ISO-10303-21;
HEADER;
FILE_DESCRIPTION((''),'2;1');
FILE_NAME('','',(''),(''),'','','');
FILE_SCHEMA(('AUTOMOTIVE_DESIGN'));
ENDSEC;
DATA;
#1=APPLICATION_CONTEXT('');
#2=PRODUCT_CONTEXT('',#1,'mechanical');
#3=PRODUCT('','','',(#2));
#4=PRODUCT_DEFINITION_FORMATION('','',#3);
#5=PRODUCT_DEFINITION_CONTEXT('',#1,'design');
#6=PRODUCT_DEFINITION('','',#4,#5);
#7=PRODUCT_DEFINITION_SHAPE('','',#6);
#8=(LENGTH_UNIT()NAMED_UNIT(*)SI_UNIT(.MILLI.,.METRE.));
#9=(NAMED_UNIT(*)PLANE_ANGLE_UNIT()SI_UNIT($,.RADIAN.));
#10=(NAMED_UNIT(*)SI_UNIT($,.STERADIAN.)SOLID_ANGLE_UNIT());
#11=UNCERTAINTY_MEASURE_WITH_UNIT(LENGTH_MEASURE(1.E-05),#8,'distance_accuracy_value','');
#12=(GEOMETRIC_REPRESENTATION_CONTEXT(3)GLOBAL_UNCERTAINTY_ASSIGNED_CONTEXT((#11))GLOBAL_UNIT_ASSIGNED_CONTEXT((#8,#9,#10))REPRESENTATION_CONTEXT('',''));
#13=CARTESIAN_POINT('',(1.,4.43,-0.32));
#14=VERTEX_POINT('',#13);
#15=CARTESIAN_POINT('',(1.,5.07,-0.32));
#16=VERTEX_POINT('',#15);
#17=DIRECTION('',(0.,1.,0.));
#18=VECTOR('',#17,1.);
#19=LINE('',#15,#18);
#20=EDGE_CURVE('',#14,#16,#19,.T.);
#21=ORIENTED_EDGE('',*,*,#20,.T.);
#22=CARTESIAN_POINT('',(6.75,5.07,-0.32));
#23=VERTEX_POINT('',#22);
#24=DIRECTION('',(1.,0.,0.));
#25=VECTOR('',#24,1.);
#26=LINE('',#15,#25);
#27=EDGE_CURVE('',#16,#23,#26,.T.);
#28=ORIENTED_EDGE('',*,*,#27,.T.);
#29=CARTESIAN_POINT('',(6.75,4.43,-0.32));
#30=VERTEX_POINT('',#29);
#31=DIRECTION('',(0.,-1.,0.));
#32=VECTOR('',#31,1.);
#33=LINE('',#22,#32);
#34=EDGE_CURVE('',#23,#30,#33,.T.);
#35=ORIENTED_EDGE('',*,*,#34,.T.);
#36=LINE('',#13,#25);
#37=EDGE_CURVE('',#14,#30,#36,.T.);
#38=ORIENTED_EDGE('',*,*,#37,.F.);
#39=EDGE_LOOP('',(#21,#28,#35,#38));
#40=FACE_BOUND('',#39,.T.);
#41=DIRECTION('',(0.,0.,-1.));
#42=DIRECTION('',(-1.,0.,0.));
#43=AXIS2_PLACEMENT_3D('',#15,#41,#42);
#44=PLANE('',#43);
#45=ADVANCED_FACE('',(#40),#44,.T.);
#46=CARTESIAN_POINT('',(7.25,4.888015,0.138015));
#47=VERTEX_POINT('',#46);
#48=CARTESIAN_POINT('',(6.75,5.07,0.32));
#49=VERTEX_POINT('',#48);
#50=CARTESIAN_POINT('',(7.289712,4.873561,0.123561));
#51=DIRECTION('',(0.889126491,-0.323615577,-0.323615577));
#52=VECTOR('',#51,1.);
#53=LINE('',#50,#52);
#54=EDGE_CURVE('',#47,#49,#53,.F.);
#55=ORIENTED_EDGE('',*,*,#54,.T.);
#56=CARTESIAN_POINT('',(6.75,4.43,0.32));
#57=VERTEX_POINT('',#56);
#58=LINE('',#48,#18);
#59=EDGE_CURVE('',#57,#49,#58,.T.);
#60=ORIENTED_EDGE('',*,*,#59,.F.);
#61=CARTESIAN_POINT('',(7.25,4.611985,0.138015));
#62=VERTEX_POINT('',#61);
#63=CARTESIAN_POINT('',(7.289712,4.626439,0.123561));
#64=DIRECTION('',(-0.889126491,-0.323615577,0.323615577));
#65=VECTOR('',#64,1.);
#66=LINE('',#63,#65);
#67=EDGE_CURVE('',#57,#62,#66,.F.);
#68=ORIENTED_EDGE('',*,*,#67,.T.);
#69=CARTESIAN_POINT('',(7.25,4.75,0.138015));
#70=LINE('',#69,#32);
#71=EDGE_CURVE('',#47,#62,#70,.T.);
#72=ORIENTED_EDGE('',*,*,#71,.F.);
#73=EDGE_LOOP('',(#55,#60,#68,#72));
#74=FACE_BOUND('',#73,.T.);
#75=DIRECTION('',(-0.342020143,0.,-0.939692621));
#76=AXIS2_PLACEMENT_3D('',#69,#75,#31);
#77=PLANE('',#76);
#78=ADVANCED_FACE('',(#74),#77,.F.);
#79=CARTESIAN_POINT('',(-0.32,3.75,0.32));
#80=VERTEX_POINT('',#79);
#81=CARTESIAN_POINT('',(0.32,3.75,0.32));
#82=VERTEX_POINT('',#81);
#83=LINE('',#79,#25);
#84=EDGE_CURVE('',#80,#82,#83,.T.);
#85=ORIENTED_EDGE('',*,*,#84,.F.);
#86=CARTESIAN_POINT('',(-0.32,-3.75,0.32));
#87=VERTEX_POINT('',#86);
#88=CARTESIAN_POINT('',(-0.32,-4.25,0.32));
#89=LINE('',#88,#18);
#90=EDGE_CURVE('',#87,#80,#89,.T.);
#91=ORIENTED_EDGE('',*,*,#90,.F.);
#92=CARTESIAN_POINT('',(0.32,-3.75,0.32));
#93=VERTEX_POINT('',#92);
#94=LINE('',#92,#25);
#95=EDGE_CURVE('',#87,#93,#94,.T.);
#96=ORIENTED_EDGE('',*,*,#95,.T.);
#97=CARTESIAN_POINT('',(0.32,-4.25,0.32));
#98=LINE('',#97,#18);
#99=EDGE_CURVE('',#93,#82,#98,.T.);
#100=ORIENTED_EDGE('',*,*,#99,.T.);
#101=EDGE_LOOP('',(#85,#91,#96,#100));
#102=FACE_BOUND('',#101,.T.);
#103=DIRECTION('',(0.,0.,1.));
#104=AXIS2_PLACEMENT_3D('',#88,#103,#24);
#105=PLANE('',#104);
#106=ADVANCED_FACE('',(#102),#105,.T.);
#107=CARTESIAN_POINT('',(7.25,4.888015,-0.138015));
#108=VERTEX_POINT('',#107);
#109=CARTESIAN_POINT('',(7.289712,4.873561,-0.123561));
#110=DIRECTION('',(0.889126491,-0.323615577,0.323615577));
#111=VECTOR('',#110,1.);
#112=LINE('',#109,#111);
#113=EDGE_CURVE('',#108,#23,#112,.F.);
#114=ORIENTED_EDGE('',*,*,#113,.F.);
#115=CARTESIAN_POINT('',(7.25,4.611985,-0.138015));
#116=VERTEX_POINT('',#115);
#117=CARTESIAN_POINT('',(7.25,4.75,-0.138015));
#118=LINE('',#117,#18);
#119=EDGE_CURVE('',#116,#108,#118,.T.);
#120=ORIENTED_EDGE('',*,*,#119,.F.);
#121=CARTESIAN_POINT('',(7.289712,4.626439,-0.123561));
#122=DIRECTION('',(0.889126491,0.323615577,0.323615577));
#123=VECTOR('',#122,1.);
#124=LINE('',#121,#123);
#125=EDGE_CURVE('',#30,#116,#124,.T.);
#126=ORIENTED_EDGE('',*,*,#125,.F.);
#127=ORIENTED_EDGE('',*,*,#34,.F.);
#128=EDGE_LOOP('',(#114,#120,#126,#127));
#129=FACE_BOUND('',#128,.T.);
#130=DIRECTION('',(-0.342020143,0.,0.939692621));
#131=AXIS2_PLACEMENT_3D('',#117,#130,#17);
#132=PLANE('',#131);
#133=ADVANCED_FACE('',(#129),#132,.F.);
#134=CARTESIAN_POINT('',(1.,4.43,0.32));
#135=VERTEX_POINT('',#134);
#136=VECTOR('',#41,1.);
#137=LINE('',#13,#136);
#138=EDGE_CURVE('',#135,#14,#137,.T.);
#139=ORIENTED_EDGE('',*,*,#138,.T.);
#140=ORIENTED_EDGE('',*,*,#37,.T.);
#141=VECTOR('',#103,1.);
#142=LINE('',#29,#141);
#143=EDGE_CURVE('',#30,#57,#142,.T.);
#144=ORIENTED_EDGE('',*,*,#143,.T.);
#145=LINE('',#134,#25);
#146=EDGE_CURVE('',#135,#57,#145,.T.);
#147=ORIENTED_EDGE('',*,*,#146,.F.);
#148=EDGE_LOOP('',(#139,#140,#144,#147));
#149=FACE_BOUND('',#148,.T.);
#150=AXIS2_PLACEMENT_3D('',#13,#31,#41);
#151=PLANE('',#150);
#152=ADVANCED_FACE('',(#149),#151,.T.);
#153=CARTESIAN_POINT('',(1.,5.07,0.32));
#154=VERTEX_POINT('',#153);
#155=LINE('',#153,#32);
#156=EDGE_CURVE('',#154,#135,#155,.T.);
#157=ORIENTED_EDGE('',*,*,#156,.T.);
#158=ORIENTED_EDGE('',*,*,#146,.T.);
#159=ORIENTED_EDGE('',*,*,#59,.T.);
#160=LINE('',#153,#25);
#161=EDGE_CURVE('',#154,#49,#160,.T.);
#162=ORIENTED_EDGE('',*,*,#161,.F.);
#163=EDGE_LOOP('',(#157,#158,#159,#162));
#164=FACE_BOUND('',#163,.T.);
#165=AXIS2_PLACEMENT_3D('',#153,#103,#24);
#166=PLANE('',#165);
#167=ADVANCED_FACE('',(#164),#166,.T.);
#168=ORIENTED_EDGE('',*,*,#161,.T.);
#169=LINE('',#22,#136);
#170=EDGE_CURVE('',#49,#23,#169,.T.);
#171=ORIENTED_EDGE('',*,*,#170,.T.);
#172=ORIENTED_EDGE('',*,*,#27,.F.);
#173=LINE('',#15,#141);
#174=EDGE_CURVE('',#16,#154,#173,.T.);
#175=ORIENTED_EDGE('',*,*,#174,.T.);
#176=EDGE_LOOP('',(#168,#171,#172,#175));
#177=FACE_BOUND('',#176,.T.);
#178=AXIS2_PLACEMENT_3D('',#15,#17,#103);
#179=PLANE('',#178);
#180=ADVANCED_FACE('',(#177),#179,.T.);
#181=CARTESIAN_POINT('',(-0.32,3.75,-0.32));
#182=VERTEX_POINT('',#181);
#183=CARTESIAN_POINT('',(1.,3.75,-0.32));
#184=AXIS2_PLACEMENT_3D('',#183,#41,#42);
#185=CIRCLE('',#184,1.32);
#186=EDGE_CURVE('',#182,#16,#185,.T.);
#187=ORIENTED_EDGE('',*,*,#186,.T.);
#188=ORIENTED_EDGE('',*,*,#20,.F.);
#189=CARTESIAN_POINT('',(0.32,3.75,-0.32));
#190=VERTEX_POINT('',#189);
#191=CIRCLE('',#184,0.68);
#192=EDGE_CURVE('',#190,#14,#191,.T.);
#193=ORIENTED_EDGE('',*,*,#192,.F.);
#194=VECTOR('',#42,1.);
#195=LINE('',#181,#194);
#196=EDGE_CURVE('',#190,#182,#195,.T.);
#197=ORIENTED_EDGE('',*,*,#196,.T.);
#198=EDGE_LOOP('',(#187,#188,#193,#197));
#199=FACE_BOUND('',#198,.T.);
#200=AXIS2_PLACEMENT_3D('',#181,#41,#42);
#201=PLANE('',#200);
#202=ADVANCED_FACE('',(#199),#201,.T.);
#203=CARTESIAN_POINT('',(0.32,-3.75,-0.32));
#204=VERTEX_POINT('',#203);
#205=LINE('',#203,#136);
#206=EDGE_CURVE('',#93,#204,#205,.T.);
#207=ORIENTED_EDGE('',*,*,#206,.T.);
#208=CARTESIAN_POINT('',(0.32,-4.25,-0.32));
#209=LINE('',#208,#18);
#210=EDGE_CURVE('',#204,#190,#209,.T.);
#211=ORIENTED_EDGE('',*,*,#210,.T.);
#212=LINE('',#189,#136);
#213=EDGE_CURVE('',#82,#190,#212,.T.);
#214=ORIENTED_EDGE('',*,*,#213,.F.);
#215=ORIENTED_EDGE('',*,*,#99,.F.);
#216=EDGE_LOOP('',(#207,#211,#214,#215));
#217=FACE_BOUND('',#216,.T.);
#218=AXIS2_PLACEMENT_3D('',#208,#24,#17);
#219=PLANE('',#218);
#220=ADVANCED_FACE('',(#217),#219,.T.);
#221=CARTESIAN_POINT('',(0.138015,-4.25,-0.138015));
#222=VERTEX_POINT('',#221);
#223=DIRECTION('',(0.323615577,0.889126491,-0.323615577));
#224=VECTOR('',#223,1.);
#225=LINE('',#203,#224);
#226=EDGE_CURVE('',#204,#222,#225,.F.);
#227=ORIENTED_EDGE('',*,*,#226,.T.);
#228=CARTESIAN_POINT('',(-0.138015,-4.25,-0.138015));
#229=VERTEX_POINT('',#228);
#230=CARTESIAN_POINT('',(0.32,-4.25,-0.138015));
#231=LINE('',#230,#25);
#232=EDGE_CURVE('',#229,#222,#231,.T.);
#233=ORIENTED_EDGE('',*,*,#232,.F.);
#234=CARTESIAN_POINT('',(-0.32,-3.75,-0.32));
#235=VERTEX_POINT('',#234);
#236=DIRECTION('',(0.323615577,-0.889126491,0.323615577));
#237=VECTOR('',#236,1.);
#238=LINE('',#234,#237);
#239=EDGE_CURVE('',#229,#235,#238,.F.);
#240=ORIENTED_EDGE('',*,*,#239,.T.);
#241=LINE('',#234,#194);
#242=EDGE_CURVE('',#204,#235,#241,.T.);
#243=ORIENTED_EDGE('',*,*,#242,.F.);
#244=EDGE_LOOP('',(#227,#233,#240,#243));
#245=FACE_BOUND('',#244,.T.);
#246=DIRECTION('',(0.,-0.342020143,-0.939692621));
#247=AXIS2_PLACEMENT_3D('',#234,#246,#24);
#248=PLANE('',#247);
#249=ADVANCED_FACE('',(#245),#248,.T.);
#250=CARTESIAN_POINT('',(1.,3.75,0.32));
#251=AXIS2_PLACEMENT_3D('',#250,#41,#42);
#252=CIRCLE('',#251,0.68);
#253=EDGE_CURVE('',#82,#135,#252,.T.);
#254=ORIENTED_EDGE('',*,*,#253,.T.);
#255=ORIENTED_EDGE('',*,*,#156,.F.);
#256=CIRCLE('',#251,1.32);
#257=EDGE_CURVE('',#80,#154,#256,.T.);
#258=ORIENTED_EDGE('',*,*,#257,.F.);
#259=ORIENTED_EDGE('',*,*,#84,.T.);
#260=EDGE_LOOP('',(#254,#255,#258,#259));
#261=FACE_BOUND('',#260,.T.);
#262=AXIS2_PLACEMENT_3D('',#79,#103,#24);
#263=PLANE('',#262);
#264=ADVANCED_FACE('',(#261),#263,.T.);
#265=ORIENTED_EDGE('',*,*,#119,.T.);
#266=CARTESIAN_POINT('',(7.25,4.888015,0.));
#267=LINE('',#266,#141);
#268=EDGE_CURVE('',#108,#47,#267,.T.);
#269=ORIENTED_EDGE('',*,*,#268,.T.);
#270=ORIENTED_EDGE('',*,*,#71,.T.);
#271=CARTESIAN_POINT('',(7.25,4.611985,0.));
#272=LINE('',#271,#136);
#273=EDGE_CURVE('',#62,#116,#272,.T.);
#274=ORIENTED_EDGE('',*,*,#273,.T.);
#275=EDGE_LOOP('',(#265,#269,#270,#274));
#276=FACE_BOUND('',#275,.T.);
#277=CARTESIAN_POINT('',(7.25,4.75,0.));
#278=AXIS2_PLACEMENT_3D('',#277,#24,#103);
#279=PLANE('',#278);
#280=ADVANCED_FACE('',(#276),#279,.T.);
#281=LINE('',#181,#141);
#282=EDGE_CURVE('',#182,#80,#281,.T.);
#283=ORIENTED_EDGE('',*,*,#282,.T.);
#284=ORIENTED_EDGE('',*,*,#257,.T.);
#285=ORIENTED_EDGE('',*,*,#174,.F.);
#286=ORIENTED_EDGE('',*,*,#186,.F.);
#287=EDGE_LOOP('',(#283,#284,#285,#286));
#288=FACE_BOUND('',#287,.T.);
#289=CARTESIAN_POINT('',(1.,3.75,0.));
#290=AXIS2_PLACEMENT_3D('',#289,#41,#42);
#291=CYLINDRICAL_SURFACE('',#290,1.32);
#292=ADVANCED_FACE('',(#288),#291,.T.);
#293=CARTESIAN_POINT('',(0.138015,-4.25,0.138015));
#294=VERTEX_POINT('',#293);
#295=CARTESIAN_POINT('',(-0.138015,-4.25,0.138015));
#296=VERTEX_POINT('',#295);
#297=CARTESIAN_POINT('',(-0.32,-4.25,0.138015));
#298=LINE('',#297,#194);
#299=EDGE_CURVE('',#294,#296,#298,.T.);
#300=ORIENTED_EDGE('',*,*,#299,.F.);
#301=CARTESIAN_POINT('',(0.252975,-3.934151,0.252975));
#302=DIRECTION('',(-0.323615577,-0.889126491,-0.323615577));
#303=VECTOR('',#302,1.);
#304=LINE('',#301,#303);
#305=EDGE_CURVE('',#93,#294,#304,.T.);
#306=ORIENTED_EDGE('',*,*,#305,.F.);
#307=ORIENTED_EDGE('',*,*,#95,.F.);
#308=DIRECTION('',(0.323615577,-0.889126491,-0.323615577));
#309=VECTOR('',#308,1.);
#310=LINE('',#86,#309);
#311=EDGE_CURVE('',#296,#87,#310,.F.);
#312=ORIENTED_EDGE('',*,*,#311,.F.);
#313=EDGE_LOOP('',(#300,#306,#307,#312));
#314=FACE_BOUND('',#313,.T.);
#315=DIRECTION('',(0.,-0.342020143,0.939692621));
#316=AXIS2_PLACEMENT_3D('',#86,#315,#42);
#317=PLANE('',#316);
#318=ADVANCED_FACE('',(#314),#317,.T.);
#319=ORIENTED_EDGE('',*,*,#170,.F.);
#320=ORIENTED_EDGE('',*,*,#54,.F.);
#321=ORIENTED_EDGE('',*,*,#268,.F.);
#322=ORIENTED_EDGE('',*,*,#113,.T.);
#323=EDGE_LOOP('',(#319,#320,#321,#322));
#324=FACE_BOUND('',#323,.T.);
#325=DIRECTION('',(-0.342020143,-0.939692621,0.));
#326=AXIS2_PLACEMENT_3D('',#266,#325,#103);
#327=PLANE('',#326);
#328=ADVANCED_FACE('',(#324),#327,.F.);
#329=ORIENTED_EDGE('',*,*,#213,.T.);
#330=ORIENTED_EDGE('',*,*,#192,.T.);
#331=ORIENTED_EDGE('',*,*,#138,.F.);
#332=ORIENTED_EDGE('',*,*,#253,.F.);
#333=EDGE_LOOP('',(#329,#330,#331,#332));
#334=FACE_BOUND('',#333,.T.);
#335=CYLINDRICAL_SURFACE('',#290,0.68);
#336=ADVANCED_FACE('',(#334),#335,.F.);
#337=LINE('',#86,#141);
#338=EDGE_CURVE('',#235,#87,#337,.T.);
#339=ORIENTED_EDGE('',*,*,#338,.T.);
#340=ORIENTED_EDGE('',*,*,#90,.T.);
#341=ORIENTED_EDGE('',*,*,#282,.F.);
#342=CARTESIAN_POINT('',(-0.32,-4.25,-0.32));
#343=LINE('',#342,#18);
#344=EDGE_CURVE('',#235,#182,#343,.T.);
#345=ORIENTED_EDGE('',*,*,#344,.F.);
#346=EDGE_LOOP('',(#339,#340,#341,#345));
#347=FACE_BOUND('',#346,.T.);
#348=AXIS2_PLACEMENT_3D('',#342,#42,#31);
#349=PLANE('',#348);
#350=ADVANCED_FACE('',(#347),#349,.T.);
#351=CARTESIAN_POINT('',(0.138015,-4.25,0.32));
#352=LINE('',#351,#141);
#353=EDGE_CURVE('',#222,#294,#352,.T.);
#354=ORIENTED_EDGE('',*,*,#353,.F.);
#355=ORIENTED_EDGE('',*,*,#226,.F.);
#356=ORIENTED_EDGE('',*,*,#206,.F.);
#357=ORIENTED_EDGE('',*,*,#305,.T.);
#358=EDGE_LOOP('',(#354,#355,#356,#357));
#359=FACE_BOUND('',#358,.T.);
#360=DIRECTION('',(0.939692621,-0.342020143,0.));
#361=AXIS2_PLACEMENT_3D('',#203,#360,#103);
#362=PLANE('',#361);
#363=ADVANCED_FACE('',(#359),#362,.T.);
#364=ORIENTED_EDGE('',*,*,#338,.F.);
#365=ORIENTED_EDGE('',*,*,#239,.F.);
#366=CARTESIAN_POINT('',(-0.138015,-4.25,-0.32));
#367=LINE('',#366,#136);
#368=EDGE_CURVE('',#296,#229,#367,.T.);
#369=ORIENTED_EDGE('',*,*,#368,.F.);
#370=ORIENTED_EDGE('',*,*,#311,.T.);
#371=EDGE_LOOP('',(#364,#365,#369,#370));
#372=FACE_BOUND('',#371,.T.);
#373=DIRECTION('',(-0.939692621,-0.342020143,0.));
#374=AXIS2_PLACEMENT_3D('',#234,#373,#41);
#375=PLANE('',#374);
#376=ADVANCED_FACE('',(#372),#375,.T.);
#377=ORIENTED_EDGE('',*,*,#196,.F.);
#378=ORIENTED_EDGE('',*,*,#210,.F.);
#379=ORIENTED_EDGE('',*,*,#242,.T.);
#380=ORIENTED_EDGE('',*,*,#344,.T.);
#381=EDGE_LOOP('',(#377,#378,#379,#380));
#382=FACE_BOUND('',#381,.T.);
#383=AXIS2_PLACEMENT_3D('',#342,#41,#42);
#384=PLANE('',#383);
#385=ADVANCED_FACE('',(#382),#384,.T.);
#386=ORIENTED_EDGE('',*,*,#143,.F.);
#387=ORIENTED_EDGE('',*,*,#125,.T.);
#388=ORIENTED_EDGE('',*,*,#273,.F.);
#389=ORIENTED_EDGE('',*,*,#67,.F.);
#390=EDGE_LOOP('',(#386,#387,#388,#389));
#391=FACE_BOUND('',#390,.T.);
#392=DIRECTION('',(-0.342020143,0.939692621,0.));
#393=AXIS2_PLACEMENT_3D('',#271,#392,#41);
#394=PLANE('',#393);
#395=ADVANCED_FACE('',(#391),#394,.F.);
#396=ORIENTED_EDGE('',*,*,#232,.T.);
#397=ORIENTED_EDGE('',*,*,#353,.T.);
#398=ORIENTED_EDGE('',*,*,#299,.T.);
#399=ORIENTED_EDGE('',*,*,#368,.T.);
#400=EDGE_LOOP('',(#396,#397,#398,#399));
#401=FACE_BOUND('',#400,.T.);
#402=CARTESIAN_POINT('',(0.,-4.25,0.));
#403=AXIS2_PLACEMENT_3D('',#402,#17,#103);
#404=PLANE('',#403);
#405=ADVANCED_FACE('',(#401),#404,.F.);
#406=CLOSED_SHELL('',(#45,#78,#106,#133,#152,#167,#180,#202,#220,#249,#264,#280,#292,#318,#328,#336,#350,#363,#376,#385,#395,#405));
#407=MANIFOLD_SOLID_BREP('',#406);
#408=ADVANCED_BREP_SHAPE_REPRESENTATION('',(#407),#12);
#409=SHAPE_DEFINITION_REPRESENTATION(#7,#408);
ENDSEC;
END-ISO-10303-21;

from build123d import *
from OCP.BRepFilletAPI import BRepFilletAPI_MakeChamfer

# Parameters (mm, degrees)
SKETCH_1_W      = 0.64
SKETCH_1_H      = 0.64
CHAMFER_1_SIZE  = 0.5
CHAMFER_1_SIZE2 = 0.181985117
CHAMFER_2_SIZE  = 0.5
CHAMFER_2_SIZE2 = 0.181985117


with BuildPart() as part:
    # По траектории1: sweep along a path in Эскиз2
    with BuildLine(Plane.XY) as sweep_1_path:
        Line((7.25, 4.75), (1, 4.75))
        ThreePointArc((1, 4.75), (0.292893219, 4.457106781), (0, 3.75))
        Line((0, 3.75), (0, 0))
        Line((0, 0), (0, -4.25))
    # Эскиз1 → По траектории1 (sweep)
    with BuildSketch(Plane(origin=(0, 0, 0), x_dir=(1, 0, 0), z_dir=(0, 1, 0))):
        Rectangle(SKETCH_1_W, SKETCH_1_H)
    sweep(path=sweep_1_path.line)

    # Фаска1: one chamfer whose edges measure the first distance from different faces: ONE call of the kernel's chamfer builder (chamfer() names one face for all edges)
    chamfer_1_edges_1 = [part.edges().sort_by_distance(p)[0] for p in [
        (7.25, 5.07, 0),
    ]]
    chamfer_1_side_1 = [part.faces().sort_by_distance(p)[0] for p in [
        (4.125, 5.07, 0),
    ]]
    chamfer_1_edges_2 = [part.edges().sort_by_distance(p)[0] for p in [
        (7.25, 4.75, 0.32),
    ]]
    chamfer_1_side_2 = [part.faces().sort_by_distance(p)[0] for p in [
        (4.125, 4.949930312, 0.32),
    ]]
    chamfer_1_edges_3 = [part.edges().sort_by_distance(p)[0] for p in [
        (7.25, 4.43, 0),
    ]]
    chamfer_1_side_3 = [part.faces().sort_by_distance(p)[0] for p in [
        (4.125, 4.43, 0),
    ]]
    chamfer_1_edges_4 = [part.edges().sort_by_distance(p)[0] for p in [
        (7.25, 4.75, -0.32),
    ]]
    chamfer_1_side_4 = [part.faces().sort_by_distance(p)[0] for p in [
        (4.125, 4.550069688, -0.32),
    ]]
    chamfer_1 = BRepFilletAPI_MakeChamfer(part.part.solid().wrapped)
    for e in chamfer_1_edges_1:
        chamfer_1.Add(CHAMFER_1_SIZE, CHAMFER_1_SIZE2, e.wrapped, chamfer_1_side_1[0].wrapped)  # the first distance lies on this face
    for e in chamfer_1_edges_2:
        chamfer_1.Add(CHAMFER_1_SIZE, CHAMFER_1_SIZE2, e.wrapped, chamfer_1_side_2[0].wrapped)  # the first distance lies on this face
    for e in chamfer_1_edges_3:
        chamfer_1.Add(CHAMFER_1_SIZE, CHAMFER_1_SIZE2, e.wrapped, chamfer_1_side_3[0].wrapped)  # the first distance lies on this face
    for e in chamfer_1_edges_4:
        chamfer_1.Add(CHAMFER_1_SIZE, CHAMFER_1_SIZE2, e.wrapped, chamfer_1_side_4[0].wrapped)  # the first distance lies on this face
    add(Compound.cast(chamfer_1.Shape()), mode=Mode.REPLACE)

    # Фаска2: one chamfer whose edges measure the first distance from different faces: ONE call of the kernel's chamfer builder (chamfer() names one face for all edges)
    chamfer_2_edges_1 = [part.edges().sort_by_distance(p)[0] for p in [
        (0, -4.25, 0.32),
    ]]
    chamfer_2_side_1 = [part.faces().sort_by_distance(p)[0] for p in [
        (3.875, 4.953018249, 0.32),
    ]]
    chamfer_2_edges_2 = [part.edges().sort_by_distance(p)[0] for p in [
        (0.32, -4.25, 0),
    ]]
    chamfer_2_side_2 = [part.faces().sort_by_distance(p)[0] for p in [
        (0.32, -0.25, 0),
    ]]
    chamfer_2_edges_3 = [part.edges().sort_by_distance(p)[0] for p in [
        (0, -4.25, -0.32),
    ]]
    chamfer_2_side_3 = [part.faces().sort_by_distance(p)[0] for p in [
        (3.875, 4.546981751, -0.32),
    ]]
    chamfer_2_edges_4 = [part.edges().sort_by_distance(p)[0] for p in [
        (-0.32, -4.25, 0),
    ]]
    chamfer_2_side_4 = [part.faces().sort_by_distance(p)[0] for p in [
        (-0.32, -0.25, 0),
    ]]
    chamfer_2 = BRepFilletAPI_MakeChamfer(part.part.solid().wrapped)
    for e in chamfer_2_edges_1:
        chamfer_2.Add(CHAMFER_2_SIZE, CHAMFER_2_SIZE2, e.wrapped, chamfer_2_side_1[0].wrapped)  # the first distance lies on this face
    for e in chamfer_2_edges_2:
        chamfer_2.Add(CHAMFER_2_SIZE, CHAMFER_2_SIZE2, e.wrapped, chamfer_2_side_2[0].wrapped)  # the first distance lies on this face
    for e in chamfer_2_edges_3:
        chamfer_2.Add(CHAMFER_2_SIZE, CHAMFER_2_SIZE2, e.wrapped, chamfer_2_side_3[0].wrapped)  # the first distance lies on this face
    for e in chamfer_2_edges_4:
        chamfer_2.Add(CHAMFER_2_SIZE, CHAMFER_2_SIZE2, e.wrapped, chamfer_2_side_4[0].wrapped)  # the first distance lies on this face
    add(Compound.cast(chamfer_2.Shape()), mode=Mode.REPLACE)


solid = part.part
